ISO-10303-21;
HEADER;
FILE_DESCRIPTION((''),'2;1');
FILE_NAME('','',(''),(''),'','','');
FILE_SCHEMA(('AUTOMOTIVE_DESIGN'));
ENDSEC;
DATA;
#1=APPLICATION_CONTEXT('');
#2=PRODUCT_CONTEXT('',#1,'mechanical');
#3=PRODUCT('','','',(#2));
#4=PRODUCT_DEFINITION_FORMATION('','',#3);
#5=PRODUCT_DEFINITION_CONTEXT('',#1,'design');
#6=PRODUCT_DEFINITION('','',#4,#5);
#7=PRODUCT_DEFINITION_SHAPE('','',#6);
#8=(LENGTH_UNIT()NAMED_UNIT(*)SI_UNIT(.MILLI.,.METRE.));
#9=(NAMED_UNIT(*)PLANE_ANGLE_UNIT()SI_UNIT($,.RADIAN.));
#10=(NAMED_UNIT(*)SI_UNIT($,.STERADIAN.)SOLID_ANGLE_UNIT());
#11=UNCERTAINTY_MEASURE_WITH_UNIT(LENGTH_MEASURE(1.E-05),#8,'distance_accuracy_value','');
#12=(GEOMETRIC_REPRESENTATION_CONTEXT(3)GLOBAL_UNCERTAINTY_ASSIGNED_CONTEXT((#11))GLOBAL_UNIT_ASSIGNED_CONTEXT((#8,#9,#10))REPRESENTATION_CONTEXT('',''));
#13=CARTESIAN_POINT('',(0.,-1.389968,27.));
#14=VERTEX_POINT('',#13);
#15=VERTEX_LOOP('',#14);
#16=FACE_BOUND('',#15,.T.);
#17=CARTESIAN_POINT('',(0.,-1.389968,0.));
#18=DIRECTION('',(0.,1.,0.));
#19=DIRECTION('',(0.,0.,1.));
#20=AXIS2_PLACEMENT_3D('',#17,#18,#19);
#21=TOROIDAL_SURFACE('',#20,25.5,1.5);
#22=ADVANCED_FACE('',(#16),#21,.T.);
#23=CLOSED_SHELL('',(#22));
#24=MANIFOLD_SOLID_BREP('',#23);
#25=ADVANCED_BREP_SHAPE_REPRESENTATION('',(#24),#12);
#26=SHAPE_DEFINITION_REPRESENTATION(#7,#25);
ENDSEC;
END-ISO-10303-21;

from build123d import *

# Parameters (mm, degrees)
SZKIC1_R = 1.5


with BuildPart() as part:
    # Szkic1 → Obrót1 (revolve)
    with BuildSketch(Plane.XY, mode=Mode.PRIVATE) as obr_t1_sk:
        with Locations((-25.5, -1.38996772)):
            Circle(SZKIC1_R)
    revolve(obr_t1_sk.sketch.rotate(Axis((0, 5.124503541, 0), (0, -1, 0)), 270), axis=Axis((0, 5.124503541, 0), (0, -1, 0)))


solid = part.part
